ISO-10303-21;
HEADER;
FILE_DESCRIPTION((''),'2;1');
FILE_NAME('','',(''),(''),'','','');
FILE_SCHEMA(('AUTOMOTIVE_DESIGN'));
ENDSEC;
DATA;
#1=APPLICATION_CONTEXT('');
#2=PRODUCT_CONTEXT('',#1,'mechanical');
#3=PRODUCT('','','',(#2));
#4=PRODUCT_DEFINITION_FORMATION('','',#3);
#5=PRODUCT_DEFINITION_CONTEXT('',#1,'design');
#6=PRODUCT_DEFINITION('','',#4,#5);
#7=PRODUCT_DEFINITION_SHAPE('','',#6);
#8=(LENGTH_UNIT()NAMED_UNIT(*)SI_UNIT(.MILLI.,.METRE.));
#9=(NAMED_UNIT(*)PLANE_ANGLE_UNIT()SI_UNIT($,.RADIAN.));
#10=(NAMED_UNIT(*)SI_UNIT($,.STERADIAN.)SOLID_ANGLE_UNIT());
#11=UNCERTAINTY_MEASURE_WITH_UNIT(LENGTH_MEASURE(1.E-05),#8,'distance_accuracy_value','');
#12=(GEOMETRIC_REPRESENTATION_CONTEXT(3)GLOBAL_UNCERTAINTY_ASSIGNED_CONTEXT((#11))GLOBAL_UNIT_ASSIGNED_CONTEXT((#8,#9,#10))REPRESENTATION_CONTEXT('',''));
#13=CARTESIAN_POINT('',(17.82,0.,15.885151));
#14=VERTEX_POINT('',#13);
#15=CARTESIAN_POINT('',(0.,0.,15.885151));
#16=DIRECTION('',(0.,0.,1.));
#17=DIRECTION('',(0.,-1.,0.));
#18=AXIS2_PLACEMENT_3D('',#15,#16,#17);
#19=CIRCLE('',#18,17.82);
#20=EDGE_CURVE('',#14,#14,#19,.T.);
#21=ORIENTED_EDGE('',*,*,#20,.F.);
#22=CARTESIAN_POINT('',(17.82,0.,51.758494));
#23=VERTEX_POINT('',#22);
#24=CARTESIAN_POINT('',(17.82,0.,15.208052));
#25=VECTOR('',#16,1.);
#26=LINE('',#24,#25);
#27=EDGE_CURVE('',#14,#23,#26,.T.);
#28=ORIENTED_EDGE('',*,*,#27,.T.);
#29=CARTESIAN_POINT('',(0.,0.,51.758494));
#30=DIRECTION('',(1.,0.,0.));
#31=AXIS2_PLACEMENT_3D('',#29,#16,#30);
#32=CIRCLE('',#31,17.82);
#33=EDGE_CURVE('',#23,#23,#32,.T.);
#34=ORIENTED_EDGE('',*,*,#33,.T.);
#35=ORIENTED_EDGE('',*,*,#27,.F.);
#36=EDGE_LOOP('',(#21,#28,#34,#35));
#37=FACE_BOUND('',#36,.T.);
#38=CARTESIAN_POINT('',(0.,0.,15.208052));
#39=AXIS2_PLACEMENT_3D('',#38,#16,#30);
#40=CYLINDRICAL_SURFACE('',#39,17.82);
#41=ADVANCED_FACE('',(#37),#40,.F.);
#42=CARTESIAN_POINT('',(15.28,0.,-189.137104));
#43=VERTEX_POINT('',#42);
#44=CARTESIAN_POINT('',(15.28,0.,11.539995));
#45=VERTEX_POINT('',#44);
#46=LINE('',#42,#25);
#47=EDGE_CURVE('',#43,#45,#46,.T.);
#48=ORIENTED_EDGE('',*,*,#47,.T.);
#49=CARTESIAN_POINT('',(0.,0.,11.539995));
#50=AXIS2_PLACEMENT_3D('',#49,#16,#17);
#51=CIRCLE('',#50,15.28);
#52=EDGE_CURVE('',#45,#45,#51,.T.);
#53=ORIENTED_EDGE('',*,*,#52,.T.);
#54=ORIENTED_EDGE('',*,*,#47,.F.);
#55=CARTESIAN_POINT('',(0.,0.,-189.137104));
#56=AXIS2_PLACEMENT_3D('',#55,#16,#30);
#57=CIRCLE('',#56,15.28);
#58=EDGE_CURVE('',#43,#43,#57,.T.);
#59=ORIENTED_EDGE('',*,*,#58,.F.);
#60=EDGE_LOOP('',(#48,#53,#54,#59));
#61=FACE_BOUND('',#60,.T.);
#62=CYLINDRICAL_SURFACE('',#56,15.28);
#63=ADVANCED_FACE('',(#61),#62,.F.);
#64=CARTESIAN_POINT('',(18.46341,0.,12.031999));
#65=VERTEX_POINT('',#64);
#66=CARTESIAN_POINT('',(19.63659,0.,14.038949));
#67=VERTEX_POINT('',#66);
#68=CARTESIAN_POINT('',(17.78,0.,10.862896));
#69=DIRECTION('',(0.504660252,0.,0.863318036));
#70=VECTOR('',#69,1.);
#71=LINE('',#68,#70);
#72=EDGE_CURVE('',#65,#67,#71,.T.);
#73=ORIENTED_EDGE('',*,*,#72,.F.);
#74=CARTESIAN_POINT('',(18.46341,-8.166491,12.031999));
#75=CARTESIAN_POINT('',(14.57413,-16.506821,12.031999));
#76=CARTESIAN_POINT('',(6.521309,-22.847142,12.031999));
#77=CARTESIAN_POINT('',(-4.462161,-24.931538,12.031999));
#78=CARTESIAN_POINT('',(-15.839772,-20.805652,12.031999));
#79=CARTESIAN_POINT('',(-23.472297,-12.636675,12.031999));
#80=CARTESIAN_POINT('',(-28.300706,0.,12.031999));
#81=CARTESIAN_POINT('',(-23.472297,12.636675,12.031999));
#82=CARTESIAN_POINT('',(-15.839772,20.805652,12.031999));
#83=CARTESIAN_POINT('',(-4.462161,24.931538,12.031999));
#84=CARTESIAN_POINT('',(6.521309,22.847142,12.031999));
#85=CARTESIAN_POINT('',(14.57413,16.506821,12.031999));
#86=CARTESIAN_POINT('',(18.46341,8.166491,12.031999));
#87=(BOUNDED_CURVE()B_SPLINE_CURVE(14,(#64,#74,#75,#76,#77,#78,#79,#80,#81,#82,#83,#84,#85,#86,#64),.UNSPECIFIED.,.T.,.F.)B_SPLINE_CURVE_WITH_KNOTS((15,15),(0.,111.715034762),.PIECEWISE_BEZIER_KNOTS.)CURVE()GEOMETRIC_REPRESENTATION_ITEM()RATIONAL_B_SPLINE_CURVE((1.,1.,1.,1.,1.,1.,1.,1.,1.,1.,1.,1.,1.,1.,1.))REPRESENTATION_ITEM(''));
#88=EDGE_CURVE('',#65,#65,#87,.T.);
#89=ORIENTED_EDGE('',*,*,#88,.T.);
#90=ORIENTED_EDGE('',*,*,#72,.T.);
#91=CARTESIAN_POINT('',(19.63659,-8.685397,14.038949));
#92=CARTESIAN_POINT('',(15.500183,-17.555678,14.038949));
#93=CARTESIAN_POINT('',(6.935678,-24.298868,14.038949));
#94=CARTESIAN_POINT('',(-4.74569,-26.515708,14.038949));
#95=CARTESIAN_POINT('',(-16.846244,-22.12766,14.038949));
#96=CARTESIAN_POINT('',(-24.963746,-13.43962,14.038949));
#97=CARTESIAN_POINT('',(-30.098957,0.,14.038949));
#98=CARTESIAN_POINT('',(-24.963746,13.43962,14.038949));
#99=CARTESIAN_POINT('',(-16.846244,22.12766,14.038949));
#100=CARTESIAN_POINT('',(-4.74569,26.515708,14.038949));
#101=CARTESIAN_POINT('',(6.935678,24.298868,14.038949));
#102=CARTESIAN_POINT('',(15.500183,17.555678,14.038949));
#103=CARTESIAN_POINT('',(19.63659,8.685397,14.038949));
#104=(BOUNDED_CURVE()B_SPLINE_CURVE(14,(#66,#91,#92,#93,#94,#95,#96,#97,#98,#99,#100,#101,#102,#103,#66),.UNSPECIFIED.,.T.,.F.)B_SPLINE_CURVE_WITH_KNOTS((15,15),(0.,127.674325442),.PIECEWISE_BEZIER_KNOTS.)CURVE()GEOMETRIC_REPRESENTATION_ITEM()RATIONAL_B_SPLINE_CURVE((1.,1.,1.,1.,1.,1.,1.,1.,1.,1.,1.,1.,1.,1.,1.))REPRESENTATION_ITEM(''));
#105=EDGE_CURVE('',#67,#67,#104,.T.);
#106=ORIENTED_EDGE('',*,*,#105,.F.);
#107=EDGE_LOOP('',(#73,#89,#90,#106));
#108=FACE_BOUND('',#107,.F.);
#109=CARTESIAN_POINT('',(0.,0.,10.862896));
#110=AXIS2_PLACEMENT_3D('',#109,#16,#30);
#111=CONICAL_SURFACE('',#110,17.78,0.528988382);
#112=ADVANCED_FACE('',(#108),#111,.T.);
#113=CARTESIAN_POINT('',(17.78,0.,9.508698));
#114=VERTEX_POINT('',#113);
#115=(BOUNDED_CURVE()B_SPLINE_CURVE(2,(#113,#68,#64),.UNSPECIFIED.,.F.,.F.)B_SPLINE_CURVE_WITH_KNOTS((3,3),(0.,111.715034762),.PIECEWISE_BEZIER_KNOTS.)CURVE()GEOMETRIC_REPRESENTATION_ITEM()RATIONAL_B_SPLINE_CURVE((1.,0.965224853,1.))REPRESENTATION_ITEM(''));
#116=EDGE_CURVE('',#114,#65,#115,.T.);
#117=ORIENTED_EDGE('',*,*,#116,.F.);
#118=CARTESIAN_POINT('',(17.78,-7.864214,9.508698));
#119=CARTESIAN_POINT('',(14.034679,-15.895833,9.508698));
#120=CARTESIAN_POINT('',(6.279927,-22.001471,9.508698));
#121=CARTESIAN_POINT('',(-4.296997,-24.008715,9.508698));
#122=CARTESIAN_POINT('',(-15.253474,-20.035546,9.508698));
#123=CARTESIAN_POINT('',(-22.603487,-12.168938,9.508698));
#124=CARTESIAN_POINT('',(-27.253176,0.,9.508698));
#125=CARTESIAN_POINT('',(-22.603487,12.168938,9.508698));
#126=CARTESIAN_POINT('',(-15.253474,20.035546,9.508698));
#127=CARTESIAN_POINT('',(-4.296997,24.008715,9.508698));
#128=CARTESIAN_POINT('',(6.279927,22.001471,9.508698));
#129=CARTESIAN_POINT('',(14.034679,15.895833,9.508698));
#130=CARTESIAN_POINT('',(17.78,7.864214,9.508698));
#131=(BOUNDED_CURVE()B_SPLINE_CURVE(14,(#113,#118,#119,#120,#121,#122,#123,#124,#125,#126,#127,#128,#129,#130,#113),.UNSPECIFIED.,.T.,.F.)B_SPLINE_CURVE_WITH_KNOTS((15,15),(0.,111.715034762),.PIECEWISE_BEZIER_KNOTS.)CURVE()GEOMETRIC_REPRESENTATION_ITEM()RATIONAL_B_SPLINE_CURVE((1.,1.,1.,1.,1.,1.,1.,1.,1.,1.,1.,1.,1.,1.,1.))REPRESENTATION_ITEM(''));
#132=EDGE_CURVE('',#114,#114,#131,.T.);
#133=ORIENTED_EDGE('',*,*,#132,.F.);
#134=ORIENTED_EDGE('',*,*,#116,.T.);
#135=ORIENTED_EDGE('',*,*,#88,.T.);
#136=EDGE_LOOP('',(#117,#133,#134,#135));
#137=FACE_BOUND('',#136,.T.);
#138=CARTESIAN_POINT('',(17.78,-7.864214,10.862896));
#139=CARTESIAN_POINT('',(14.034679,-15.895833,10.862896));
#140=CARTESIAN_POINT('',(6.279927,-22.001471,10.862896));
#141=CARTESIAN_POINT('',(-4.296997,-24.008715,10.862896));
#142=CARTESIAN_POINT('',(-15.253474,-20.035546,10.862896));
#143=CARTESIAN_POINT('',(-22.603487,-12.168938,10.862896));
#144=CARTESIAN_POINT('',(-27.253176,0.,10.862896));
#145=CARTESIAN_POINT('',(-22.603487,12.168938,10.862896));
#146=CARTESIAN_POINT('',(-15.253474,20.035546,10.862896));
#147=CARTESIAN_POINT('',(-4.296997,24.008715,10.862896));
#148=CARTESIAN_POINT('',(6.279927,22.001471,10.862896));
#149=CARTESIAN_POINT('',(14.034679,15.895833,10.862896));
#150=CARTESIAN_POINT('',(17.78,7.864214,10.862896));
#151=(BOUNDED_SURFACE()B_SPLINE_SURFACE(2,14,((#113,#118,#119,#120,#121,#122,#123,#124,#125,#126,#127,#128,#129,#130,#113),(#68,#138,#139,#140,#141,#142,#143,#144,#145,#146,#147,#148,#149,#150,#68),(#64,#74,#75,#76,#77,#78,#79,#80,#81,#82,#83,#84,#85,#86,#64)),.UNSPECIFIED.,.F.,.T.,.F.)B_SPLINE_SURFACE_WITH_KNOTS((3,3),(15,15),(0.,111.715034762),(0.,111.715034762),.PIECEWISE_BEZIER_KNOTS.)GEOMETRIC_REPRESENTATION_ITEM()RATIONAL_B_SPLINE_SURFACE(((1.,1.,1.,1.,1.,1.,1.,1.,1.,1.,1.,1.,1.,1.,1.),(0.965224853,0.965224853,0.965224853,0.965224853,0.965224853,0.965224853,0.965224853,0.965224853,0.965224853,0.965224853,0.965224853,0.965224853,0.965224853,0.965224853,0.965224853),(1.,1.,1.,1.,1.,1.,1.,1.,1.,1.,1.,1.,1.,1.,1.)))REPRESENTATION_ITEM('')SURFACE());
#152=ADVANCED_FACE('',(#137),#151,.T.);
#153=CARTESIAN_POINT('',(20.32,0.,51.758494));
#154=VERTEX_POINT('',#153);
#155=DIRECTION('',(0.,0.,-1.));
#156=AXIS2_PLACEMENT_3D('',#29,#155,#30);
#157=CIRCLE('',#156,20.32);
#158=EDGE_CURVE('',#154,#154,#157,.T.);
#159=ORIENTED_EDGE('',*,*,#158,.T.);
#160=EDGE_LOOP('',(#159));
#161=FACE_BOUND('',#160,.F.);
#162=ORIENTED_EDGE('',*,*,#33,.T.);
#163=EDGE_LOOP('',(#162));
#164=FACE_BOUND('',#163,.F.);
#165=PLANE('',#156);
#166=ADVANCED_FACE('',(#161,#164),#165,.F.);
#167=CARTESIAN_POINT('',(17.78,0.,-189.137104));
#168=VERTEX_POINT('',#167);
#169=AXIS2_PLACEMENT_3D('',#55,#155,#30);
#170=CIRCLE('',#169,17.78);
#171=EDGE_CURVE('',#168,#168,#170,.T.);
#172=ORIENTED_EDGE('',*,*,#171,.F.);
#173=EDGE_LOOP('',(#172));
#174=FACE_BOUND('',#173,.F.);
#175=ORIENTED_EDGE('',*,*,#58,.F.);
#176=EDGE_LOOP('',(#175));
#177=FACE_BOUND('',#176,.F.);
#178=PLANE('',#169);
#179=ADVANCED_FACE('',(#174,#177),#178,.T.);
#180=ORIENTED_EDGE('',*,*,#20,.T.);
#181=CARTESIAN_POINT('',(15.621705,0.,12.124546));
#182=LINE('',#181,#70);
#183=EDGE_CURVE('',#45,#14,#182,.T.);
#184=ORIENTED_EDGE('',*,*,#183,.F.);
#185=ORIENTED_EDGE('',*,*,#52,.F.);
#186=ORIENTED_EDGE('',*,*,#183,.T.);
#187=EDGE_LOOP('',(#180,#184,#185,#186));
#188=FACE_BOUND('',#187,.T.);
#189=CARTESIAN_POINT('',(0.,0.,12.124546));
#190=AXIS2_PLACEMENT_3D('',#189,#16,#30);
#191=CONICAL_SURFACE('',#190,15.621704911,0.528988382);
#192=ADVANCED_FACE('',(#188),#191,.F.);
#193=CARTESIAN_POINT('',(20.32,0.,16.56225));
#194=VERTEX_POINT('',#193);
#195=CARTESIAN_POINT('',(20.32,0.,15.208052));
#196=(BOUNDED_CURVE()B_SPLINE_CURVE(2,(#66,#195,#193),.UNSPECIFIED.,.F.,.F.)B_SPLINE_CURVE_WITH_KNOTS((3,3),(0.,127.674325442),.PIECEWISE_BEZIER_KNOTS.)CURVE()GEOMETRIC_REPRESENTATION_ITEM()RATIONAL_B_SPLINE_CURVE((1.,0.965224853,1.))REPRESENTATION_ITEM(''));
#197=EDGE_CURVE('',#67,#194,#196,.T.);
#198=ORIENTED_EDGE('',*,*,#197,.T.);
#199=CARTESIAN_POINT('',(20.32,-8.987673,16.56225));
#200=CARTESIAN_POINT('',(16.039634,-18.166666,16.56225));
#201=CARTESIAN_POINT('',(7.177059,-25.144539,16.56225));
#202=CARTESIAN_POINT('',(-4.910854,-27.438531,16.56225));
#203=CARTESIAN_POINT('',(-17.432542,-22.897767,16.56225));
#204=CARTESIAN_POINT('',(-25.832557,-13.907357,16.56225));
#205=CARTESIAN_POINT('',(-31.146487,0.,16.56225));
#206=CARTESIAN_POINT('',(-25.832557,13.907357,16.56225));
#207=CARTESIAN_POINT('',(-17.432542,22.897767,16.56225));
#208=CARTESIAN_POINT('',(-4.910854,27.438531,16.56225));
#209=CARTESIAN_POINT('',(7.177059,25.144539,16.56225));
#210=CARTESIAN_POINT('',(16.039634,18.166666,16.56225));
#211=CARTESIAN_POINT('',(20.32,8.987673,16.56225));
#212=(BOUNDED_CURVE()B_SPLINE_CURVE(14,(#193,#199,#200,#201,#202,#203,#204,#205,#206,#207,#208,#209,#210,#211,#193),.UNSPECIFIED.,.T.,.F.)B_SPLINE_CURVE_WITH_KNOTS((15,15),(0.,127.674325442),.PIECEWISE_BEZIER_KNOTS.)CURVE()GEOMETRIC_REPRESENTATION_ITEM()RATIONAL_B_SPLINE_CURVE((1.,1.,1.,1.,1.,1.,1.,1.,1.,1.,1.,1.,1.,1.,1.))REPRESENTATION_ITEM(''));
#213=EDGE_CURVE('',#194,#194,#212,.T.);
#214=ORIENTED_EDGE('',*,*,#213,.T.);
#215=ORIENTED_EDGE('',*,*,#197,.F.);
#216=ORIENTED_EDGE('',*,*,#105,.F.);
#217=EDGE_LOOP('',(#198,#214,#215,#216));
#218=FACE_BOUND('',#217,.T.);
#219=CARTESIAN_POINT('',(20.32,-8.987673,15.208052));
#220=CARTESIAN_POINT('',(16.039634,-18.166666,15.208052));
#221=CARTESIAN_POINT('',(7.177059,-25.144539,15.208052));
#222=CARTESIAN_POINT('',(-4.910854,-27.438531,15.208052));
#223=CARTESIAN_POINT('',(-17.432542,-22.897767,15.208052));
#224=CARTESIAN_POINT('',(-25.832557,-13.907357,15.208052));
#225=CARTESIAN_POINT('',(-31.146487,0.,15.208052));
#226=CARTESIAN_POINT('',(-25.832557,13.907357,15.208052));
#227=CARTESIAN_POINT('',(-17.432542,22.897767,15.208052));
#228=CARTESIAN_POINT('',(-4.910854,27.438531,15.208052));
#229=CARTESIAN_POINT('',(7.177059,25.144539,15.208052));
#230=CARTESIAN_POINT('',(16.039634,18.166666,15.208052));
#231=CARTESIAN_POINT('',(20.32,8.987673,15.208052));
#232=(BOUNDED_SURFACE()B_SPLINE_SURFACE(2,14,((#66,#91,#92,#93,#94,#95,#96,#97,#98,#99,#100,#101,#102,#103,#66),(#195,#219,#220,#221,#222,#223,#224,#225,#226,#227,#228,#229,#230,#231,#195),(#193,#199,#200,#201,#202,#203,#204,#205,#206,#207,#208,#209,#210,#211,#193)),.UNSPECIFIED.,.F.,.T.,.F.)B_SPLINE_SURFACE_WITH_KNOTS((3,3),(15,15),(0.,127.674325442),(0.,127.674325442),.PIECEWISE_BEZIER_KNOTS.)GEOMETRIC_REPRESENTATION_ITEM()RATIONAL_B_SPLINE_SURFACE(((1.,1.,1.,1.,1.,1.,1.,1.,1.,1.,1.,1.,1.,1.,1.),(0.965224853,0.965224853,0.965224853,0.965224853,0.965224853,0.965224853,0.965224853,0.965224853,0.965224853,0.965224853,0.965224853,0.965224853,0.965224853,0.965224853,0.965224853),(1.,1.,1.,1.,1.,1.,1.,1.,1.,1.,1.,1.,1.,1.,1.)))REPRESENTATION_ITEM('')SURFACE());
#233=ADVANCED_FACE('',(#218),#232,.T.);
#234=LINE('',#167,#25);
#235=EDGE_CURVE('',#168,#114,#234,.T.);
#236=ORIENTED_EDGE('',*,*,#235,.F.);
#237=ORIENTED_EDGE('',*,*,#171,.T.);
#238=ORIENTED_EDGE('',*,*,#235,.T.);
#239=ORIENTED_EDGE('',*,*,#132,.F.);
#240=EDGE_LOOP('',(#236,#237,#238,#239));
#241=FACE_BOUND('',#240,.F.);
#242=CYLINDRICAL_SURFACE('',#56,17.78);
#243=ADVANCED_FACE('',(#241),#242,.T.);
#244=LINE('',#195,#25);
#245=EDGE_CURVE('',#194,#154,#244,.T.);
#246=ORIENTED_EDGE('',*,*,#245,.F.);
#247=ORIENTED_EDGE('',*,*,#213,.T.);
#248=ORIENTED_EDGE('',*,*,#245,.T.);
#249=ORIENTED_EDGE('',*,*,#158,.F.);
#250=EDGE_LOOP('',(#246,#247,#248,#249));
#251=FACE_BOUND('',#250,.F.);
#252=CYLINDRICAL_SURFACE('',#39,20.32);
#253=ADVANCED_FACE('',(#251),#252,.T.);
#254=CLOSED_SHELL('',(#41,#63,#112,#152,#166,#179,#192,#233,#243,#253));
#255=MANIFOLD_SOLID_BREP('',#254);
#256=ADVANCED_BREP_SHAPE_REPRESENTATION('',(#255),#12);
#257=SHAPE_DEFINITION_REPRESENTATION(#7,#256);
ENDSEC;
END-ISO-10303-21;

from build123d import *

# Parameters (mm, degrees)
F2_T = -2.5
F3_R = 5


with BuildPart() as f1:
    # F0 (on Front) → F1 (revolve)
    with BuildSketch(Plane.XZ):
        Polygon((20.32, 15.2080524429), (20.32, 51.7584940429), (0, 51.7584940429), (0, -189.1371041323), (17.78, -189.1371041323), (17.78, 10.8628958677), align=None)
    revolve(axis=Axis((0, 0, -68.6893050447), (0, 0, -1)))

    # F2
    f2_openings = [f1.faces().sort_by_distance(p)[0] for p in [
        (0, 0, 51.758494),
        (0, 0, -189.137104),
    ]]
    offset(amount=F2_T, openings=f2_openings, kind=Kind.INTERSECTION)

    # F3
    f3_edges = [f1.edges().sort_by_distance(p)[0] for p in [
        (-17.78, 0, 10.862896),
        (-20.32, 0, 15.208052),
        (19.05, 0, 13.035474),
    ]]
    fillet(f3_edges, radius=F3_R)


solid = f1.part
